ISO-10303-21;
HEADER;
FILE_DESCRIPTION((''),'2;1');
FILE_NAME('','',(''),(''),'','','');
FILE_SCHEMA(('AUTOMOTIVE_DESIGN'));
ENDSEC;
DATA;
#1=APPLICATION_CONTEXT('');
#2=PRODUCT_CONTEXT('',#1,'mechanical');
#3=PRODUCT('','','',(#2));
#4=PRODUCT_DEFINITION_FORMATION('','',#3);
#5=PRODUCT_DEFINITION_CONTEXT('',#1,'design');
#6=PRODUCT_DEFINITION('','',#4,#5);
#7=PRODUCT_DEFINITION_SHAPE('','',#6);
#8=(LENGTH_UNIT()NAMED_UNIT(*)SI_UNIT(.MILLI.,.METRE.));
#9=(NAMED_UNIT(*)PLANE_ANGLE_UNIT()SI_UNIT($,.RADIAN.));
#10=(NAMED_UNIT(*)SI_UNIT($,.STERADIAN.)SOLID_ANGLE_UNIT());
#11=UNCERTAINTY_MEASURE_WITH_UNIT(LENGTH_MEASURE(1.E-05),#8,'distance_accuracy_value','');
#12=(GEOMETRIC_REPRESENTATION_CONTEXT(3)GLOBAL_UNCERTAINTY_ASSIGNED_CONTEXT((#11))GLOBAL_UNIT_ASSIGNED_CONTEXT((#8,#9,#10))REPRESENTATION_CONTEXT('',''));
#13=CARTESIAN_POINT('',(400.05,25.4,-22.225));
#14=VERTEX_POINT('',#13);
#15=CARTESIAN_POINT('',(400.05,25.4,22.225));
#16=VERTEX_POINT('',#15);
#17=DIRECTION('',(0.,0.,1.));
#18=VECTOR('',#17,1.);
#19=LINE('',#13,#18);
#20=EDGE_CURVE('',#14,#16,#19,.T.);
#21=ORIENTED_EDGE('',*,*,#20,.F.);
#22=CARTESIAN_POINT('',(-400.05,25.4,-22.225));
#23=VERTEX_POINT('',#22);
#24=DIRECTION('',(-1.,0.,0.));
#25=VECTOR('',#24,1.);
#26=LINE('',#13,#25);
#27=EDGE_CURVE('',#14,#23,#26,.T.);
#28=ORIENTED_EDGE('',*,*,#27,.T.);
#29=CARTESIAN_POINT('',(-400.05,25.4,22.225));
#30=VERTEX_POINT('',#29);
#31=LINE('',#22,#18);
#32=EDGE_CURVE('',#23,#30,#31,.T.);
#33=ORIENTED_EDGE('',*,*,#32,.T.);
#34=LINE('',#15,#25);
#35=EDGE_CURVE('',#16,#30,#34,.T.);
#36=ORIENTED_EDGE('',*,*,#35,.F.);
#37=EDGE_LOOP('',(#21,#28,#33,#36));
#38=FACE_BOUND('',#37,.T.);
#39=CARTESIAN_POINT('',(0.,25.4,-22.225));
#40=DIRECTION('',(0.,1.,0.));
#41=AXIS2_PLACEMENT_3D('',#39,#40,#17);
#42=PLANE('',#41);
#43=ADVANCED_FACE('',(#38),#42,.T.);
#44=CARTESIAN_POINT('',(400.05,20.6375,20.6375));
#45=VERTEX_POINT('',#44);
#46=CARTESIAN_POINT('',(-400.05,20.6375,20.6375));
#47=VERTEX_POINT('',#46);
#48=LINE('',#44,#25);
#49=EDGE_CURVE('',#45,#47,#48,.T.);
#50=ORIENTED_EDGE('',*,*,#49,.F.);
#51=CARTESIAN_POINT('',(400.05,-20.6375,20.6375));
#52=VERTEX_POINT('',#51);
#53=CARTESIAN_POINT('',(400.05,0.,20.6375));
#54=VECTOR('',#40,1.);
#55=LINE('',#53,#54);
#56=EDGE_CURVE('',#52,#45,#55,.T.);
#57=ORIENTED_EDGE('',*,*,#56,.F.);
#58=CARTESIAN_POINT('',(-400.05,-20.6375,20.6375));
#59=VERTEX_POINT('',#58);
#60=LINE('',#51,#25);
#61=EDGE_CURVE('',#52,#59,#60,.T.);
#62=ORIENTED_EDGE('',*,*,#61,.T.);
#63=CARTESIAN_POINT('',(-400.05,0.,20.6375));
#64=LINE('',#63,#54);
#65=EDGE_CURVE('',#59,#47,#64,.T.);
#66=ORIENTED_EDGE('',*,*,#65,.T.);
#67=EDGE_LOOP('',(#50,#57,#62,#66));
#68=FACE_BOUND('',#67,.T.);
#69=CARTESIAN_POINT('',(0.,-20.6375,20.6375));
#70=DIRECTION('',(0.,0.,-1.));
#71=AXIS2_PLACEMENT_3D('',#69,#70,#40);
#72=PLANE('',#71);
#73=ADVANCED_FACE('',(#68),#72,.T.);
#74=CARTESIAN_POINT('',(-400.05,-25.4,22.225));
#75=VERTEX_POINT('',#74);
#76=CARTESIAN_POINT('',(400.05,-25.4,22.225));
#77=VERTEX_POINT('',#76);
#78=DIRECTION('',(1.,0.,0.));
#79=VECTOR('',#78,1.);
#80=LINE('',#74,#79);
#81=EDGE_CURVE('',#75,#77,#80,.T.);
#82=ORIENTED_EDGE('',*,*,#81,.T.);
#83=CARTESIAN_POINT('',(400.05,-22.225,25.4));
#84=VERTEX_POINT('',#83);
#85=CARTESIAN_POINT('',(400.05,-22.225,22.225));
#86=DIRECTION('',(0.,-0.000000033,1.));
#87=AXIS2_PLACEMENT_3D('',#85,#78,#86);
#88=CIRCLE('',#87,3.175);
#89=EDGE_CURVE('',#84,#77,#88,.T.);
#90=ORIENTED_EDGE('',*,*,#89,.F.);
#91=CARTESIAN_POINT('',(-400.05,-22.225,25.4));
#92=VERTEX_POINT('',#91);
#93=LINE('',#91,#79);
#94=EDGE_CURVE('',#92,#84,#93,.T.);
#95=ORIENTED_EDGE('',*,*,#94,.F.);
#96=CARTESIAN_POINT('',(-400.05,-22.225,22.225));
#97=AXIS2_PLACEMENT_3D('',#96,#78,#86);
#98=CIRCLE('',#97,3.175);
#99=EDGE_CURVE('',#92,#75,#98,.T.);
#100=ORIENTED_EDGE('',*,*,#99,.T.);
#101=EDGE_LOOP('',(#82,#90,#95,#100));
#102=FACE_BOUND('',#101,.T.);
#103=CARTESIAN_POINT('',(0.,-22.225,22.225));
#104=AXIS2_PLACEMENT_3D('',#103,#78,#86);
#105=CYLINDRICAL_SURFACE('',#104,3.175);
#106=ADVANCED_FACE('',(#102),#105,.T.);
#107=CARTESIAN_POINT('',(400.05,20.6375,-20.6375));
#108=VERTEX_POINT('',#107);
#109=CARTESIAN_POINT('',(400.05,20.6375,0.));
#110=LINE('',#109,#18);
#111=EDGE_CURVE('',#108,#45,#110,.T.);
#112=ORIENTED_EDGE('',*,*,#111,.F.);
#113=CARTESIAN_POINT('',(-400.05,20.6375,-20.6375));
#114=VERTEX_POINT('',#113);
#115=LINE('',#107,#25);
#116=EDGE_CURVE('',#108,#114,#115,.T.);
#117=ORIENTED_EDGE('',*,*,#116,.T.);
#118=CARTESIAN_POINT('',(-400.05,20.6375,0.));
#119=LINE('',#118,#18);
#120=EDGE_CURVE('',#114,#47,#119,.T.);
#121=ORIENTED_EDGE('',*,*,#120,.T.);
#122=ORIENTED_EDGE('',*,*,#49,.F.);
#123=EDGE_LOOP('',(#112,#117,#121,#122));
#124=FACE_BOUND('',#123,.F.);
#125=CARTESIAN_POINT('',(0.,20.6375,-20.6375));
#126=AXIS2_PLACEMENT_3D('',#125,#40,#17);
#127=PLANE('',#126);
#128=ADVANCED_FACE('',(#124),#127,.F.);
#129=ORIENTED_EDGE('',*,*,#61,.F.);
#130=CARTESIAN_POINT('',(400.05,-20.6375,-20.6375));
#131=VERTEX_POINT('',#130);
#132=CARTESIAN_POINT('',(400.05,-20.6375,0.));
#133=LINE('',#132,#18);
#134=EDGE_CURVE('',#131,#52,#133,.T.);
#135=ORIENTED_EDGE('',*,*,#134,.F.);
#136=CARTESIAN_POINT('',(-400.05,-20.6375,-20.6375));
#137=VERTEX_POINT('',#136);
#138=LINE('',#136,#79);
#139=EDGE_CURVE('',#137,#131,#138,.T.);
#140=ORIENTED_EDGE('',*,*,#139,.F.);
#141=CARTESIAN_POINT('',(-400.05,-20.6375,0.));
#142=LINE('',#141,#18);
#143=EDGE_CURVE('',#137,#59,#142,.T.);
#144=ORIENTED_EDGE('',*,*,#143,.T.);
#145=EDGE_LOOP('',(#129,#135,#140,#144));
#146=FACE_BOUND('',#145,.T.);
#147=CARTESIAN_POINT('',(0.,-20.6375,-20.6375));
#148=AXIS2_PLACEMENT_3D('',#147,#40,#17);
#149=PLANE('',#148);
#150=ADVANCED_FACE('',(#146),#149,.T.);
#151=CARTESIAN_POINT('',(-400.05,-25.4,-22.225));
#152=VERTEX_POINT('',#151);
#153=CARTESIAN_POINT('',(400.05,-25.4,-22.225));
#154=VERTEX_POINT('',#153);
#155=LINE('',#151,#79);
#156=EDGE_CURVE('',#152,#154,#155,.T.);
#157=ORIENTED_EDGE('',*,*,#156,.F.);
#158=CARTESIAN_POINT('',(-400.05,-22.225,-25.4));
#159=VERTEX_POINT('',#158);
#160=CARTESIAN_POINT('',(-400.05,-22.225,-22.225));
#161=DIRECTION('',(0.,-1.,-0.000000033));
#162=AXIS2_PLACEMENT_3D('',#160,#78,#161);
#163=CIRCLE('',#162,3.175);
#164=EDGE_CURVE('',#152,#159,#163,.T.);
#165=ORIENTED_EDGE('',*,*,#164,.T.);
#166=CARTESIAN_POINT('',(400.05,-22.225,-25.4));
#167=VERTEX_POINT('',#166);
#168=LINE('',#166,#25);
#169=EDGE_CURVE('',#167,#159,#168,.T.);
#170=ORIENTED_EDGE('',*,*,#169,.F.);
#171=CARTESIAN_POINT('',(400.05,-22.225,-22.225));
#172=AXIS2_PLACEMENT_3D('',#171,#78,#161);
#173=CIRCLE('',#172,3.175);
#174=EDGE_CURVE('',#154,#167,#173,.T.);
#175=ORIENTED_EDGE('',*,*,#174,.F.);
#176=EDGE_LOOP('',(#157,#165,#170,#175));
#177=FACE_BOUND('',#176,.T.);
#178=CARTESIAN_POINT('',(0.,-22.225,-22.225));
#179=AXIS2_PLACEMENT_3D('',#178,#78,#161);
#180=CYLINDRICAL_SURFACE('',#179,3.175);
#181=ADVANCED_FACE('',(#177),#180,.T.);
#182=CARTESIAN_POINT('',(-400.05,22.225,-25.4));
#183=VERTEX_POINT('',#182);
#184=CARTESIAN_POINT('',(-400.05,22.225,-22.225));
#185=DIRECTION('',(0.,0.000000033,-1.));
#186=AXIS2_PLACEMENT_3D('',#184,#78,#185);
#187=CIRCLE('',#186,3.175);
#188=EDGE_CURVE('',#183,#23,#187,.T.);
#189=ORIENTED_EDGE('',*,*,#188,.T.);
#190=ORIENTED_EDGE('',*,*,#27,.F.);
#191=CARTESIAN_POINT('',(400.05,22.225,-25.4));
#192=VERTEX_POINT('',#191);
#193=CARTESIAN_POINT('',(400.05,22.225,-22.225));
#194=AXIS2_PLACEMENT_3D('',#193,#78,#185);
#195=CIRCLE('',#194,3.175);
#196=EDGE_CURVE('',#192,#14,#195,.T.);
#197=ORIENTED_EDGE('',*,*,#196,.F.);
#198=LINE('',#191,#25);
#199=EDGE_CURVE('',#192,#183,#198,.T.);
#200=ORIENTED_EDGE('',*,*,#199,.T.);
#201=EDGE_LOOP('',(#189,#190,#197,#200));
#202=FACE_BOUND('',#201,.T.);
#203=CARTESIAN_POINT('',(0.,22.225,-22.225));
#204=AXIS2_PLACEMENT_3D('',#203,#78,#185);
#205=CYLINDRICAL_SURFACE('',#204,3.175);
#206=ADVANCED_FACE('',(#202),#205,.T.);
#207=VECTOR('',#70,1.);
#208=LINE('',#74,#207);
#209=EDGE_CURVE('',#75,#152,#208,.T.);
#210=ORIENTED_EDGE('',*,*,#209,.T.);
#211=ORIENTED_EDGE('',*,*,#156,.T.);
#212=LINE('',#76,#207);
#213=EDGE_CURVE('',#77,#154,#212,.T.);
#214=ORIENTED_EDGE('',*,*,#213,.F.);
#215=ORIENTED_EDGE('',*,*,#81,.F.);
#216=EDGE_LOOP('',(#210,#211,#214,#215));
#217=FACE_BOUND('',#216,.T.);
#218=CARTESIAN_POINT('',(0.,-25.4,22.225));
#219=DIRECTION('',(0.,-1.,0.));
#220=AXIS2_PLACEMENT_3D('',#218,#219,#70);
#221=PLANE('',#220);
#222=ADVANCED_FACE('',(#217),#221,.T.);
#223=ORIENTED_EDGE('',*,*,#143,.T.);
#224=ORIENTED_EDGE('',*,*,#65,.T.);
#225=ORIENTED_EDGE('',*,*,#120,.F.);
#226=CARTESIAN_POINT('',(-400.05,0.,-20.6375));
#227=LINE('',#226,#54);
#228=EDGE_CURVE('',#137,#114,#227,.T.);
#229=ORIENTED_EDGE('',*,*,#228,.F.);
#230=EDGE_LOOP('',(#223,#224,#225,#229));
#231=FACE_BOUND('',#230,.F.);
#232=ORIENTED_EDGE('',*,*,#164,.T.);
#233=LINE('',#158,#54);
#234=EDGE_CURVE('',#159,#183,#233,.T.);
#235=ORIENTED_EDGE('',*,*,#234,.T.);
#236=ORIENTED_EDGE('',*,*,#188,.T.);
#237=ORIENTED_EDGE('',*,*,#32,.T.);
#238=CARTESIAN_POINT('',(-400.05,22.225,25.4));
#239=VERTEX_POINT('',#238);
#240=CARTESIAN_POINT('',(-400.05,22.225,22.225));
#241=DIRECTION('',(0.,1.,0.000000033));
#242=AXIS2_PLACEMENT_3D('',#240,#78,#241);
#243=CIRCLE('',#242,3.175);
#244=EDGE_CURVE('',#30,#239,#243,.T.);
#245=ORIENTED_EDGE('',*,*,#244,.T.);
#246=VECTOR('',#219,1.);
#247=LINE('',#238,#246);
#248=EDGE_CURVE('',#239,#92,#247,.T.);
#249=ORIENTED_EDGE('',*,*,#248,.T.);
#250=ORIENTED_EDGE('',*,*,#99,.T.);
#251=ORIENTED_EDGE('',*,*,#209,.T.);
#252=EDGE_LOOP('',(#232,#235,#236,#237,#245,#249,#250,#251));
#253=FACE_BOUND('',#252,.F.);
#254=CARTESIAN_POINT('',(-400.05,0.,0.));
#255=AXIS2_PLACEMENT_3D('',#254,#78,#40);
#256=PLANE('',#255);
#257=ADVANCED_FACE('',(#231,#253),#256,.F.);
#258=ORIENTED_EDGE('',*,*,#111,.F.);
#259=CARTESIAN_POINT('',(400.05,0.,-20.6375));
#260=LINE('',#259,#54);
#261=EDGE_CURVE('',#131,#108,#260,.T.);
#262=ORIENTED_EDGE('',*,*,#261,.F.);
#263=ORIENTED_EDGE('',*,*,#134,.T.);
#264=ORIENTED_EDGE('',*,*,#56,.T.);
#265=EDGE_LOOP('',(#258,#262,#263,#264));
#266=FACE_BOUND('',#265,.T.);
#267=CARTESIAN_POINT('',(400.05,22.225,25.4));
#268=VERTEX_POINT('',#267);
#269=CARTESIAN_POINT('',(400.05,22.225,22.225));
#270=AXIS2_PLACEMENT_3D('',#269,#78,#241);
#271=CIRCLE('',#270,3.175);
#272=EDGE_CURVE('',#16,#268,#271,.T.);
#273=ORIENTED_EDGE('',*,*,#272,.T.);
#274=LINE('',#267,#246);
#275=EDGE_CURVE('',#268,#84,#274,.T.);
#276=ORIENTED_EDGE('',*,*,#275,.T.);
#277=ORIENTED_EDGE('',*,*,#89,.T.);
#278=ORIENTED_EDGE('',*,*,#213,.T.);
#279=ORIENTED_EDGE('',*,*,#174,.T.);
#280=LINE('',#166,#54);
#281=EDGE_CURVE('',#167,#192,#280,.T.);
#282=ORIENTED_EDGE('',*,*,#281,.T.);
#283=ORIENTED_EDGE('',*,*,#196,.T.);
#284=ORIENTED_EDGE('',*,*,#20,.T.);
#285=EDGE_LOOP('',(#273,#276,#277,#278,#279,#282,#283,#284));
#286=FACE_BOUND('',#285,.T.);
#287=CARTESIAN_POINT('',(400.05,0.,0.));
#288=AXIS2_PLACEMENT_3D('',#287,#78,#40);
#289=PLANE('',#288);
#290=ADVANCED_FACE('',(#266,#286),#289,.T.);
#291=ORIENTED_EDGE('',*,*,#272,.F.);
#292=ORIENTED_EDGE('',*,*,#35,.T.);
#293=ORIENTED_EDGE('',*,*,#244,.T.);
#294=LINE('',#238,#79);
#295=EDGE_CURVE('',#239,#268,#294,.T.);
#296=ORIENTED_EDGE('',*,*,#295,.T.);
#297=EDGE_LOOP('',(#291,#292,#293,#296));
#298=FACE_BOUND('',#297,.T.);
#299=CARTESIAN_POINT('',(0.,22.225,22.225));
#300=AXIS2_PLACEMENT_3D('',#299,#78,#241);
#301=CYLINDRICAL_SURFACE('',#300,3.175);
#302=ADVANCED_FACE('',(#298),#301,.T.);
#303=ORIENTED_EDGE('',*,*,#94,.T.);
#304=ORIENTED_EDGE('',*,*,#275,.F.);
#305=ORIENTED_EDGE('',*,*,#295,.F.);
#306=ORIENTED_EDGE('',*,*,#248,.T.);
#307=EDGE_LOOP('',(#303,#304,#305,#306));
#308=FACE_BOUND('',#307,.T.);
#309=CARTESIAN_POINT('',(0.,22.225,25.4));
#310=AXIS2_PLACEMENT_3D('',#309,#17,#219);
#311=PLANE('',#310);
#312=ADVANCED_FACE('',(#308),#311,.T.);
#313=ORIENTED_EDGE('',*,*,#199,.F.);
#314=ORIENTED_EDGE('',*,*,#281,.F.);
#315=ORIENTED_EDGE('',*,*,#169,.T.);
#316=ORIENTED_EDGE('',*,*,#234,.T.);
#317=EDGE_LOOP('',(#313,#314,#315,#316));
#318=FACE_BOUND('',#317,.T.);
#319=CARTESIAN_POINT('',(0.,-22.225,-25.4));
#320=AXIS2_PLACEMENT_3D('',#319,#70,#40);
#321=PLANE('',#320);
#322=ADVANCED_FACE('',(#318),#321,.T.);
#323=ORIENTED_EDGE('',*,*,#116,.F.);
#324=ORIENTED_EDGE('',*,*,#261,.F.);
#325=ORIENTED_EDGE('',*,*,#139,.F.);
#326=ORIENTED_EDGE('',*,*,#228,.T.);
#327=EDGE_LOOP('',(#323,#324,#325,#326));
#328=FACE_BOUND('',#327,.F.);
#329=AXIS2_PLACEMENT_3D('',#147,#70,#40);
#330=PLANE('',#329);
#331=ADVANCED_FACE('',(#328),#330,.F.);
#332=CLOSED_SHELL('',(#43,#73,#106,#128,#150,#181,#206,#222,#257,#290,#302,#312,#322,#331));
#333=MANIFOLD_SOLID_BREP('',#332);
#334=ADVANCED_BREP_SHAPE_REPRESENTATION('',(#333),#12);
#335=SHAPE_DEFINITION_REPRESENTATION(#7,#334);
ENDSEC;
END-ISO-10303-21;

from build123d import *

# Parameters (mm, degrees)
F0_W     = 41.275
F0_H     = 41.275
F1_DEPTH = 400.05


with BuildPart() as f1:
    # F0 (on Right) → F1 (new body, symmetric)
    with BuildSketch(Plane.YZ):
        with BuildLine():
            ThreePointArc((25.4, 22.225), (24.470064, 24.470064), (22.225, 25.4))
            Line((22.225, 25.4), (-22.225, 25.4))
            ThreePointArc((-22.225, 25.4), (-24.470064, 24.470064), (-25.4, 22.225))
            Line((-25.4, 22.225), (-25.4, -22.225))
            ThreePointArc((-25.4, -22.225), (-24.470064, -24.470064), (-22.225, -25.4))
            Line((-22.225, -25.4), (22.225, -25.4))
            ThreePointArc((22.225, -25.4), (24.470064, -24.470064), (25.4, -22.225))
            Line((25.4, -22.225), (25.4, 22.225))
        make_face()
        Rectangle(F0_W, F0_H, mode=Mode.SUBTRACT)
    extrude(amount=F1_DEPTH, both=True)


solid = f1.part
